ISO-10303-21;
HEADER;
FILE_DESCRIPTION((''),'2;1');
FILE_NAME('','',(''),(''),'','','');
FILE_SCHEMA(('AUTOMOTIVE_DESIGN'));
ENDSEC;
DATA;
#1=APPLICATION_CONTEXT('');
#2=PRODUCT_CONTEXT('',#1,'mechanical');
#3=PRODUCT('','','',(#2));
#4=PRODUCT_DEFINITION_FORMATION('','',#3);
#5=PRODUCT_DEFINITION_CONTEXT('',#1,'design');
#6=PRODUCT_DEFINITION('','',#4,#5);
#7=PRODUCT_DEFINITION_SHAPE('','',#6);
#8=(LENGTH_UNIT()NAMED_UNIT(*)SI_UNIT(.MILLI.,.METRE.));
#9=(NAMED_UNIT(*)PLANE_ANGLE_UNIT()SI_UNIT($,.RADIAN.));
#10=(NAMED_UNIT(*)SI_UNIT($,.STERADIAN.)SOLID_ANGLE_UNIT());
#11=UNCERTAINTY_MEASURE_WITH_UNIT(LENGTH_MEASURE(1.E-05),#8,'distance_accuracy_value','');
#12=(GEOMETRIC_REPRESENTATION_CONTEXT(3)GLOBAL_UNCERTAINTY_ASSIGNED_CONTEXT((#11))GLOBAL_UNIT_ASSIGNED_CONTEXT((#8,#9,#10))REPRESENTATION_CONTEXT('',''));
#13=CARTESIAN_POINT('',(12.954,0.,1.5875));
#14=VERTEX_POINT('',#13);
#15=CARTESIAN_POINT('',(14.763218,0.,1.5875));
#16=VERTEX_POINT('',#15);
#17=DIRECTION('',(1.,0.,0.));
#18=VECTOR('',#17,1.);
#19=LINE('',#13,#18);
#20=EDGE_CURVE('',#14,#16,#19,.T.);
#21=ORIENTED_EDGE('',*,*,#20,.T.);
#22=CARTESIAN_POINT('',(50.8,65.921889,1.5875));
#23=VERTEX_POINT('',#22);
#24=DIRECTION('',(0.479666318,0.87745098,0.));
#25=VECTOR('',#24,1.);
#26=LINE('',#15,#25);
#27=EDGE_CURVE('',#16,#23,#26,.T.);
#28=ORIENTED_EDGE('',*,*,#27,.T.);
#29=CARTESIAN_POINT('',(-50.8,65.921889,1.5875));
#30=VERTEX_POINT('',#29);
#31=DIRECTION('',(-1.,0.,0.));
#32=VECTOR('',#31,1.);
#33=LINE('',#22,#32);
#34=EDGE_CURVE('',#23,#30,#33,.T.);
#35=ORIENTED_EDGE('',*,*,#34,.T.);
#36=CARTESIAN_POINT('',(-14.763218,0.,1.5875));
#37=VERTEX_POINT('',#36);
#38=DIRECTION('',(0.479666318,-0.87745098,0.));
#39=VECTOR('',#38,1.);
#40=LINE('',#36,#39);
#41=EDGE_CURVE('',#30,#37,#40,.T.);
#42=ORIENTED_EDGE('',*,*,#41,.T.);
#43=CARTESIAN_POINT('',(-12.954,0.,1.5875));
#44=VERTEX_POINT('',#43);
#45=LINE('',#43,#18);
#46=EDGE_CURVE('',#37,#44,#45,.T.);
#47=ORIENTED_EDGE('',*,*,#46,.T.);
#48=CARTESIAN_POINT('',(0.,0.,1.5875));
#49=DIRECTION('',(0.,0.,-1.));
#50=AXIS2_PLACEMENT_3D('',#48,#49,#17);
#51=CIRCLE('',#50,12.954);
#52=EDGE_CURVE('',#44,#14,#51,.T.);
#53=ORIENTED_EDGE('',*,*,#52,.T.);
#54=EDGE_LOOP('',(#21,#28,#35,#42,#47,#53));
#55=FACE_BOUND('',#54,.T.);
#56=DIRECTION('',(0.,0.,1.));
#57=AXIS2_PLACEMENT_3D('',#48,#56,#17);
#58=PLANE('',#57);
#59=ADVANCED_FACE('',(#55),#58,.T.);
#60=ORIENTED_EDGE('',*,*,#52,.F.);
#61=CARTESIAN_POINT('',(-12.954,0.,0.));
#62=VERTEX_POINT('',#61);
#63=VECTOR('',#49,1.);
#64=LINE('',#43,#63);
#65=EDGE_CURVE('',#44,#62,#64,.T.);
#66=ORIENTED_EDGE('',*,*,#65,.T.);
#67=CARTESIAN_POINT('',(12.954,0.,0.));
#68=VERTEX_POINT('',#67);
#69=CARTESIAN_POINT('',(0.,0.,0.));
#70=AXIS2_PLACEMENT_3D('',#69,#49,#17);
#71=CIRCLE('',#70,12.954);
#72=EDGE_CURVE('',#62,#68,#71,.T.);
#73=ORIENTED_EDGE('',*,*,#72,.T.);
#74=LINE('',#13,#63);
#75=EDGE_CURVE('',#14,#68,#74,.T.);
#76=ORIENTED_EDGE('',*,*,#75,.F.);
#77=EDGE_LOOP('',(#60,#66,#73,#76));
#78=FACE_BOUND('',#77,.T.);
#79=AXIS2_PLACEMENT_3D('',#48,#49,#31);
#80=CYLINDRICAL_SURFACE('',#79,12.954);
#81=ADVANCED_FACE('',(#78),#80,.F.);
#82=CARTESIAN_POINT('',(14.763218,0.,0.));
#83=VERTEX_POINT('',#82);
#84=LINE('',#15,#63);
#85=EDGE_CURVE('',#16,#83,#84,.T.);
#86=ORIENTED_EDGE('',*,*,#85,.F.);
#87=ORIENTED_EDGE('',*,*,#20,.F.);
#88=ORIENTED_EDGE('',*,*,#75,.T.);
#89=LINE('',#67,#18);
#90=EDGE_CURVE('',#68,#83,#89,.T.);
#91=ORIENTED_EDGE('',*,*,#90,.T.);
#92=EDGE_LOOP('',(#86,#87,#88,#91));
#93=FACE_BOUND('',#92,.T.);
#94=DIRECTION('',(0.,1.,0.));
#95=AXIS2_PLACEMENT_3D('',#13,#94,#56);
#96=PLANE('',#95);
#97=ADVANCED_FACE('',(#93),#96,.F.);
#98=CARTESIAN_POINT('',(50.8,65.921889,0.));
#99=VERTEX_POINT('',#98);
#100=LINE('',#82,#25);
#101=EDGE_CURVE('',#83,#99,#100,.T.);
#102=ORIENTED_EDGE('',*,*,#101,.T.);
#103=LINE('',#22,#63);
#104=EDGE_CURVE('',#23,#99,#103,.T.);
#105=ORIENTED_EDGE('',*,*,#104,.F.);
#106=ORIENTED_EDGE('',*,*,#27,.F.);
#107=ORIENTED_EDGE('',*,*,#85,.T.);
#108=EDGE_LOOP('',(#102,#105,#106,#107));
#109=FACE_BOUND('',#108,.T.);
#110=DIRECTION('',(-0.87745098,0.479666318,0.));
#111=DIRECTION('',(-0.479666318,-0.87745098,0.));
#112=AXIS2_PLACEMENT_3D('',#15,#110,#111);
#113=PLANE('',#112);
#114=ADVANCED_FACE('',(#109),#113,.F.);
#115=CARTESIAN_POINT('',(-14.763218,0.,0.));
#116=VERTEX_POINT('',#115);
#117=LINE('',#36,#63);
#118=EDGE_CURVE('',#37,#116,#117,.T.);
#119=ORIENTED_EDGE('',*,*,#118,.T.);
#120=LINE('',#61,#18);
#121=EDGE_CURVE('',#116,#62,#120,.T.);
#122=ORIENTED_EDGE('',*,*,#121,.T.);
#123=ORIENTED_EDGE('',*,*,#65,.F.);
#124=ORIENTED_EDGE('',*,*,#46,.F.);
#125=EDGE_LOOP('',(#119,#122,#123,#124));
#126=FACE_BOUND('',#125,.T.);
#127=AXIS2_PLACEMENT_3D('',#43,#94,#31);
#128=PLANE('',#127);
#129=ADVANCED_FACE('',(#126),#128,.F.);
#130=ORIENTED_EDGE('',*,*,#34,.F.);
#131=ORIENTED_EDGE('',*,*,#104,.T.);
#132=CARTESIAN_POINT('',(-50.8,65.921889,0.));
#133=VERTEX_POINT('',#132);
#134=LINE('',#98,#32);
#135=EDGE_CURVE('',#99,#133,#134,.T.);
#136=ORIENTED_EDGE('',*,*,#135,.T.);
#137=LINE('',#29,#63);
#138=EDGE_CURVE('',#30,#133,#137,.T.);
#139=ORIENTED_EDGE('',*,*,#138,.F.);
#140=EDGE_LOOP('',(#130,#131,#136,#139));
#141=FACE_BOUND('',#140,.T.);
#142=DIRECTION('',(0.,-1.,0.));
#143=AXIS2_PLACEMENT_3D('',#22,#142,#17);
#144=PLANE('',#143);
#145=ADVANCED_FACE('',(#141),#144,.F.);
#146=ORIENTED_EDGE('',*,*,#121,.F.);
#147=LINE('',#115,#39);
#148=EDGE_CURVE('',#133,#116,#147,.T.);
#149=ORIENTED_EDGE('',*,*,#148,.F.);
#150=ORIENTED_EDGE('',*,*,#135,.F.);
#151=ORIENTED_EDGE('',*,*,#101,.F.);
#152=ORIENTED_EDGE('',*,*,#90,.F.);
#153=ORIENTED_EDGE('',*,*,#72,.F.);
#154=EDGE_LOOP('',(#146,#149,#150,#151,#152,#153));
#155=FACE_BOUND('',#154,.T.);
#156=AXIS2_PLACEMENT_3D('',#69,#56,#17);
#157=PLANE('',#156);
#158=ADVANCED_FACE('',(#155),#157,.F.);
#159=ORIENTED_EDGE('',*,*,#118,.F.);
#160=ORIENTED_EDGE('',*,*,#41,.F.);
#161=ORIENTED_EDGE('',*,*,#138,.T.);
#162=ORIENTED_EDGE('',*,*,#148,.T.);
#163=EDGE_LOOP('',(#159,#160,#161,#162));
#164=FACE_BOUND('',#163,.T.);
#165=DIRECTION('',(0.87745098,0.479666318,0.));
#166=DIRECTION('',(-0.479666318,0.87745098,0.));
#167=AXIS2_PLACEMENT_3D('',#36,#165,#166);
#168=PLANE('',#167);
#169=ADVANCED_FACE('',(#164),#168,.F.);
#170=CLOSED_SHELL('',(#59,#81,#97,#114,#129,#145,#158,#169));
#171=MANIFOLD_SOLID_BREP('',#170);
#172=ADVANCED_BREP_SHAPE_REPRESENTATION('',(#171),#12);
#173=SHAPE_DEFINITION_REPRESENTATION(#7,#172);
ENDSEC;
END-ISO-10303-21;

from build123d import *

# Parameters (mm, degrees)
BOSS_EXTRUDE1_DEPTH = 1.5875


with BuildPart() as part:
    # Sketch1 → Boss-Extrude1 (new body)
    with BuildSketch(Plane.XY):
        with BuildLine():
            Line((12.954, 0), (14.763217877, 0))
            Line((14.763217877, 0), (50.8, 65.921889011))
            Line((50.8, 65.921889011), (-50.8, 65.921889011))
            Line((-50.8, 65.921889011), (-14.763217877, 0))
            Line((-14.763217877, 0), (-12.954, 0))
            ThreePointArc((-12.954, 0), (0, 12.954), (12.954, 0))
        make_face()
    extrude(amount=BOSS_EXTRUDE1_DEPTH)


solid = part.part
